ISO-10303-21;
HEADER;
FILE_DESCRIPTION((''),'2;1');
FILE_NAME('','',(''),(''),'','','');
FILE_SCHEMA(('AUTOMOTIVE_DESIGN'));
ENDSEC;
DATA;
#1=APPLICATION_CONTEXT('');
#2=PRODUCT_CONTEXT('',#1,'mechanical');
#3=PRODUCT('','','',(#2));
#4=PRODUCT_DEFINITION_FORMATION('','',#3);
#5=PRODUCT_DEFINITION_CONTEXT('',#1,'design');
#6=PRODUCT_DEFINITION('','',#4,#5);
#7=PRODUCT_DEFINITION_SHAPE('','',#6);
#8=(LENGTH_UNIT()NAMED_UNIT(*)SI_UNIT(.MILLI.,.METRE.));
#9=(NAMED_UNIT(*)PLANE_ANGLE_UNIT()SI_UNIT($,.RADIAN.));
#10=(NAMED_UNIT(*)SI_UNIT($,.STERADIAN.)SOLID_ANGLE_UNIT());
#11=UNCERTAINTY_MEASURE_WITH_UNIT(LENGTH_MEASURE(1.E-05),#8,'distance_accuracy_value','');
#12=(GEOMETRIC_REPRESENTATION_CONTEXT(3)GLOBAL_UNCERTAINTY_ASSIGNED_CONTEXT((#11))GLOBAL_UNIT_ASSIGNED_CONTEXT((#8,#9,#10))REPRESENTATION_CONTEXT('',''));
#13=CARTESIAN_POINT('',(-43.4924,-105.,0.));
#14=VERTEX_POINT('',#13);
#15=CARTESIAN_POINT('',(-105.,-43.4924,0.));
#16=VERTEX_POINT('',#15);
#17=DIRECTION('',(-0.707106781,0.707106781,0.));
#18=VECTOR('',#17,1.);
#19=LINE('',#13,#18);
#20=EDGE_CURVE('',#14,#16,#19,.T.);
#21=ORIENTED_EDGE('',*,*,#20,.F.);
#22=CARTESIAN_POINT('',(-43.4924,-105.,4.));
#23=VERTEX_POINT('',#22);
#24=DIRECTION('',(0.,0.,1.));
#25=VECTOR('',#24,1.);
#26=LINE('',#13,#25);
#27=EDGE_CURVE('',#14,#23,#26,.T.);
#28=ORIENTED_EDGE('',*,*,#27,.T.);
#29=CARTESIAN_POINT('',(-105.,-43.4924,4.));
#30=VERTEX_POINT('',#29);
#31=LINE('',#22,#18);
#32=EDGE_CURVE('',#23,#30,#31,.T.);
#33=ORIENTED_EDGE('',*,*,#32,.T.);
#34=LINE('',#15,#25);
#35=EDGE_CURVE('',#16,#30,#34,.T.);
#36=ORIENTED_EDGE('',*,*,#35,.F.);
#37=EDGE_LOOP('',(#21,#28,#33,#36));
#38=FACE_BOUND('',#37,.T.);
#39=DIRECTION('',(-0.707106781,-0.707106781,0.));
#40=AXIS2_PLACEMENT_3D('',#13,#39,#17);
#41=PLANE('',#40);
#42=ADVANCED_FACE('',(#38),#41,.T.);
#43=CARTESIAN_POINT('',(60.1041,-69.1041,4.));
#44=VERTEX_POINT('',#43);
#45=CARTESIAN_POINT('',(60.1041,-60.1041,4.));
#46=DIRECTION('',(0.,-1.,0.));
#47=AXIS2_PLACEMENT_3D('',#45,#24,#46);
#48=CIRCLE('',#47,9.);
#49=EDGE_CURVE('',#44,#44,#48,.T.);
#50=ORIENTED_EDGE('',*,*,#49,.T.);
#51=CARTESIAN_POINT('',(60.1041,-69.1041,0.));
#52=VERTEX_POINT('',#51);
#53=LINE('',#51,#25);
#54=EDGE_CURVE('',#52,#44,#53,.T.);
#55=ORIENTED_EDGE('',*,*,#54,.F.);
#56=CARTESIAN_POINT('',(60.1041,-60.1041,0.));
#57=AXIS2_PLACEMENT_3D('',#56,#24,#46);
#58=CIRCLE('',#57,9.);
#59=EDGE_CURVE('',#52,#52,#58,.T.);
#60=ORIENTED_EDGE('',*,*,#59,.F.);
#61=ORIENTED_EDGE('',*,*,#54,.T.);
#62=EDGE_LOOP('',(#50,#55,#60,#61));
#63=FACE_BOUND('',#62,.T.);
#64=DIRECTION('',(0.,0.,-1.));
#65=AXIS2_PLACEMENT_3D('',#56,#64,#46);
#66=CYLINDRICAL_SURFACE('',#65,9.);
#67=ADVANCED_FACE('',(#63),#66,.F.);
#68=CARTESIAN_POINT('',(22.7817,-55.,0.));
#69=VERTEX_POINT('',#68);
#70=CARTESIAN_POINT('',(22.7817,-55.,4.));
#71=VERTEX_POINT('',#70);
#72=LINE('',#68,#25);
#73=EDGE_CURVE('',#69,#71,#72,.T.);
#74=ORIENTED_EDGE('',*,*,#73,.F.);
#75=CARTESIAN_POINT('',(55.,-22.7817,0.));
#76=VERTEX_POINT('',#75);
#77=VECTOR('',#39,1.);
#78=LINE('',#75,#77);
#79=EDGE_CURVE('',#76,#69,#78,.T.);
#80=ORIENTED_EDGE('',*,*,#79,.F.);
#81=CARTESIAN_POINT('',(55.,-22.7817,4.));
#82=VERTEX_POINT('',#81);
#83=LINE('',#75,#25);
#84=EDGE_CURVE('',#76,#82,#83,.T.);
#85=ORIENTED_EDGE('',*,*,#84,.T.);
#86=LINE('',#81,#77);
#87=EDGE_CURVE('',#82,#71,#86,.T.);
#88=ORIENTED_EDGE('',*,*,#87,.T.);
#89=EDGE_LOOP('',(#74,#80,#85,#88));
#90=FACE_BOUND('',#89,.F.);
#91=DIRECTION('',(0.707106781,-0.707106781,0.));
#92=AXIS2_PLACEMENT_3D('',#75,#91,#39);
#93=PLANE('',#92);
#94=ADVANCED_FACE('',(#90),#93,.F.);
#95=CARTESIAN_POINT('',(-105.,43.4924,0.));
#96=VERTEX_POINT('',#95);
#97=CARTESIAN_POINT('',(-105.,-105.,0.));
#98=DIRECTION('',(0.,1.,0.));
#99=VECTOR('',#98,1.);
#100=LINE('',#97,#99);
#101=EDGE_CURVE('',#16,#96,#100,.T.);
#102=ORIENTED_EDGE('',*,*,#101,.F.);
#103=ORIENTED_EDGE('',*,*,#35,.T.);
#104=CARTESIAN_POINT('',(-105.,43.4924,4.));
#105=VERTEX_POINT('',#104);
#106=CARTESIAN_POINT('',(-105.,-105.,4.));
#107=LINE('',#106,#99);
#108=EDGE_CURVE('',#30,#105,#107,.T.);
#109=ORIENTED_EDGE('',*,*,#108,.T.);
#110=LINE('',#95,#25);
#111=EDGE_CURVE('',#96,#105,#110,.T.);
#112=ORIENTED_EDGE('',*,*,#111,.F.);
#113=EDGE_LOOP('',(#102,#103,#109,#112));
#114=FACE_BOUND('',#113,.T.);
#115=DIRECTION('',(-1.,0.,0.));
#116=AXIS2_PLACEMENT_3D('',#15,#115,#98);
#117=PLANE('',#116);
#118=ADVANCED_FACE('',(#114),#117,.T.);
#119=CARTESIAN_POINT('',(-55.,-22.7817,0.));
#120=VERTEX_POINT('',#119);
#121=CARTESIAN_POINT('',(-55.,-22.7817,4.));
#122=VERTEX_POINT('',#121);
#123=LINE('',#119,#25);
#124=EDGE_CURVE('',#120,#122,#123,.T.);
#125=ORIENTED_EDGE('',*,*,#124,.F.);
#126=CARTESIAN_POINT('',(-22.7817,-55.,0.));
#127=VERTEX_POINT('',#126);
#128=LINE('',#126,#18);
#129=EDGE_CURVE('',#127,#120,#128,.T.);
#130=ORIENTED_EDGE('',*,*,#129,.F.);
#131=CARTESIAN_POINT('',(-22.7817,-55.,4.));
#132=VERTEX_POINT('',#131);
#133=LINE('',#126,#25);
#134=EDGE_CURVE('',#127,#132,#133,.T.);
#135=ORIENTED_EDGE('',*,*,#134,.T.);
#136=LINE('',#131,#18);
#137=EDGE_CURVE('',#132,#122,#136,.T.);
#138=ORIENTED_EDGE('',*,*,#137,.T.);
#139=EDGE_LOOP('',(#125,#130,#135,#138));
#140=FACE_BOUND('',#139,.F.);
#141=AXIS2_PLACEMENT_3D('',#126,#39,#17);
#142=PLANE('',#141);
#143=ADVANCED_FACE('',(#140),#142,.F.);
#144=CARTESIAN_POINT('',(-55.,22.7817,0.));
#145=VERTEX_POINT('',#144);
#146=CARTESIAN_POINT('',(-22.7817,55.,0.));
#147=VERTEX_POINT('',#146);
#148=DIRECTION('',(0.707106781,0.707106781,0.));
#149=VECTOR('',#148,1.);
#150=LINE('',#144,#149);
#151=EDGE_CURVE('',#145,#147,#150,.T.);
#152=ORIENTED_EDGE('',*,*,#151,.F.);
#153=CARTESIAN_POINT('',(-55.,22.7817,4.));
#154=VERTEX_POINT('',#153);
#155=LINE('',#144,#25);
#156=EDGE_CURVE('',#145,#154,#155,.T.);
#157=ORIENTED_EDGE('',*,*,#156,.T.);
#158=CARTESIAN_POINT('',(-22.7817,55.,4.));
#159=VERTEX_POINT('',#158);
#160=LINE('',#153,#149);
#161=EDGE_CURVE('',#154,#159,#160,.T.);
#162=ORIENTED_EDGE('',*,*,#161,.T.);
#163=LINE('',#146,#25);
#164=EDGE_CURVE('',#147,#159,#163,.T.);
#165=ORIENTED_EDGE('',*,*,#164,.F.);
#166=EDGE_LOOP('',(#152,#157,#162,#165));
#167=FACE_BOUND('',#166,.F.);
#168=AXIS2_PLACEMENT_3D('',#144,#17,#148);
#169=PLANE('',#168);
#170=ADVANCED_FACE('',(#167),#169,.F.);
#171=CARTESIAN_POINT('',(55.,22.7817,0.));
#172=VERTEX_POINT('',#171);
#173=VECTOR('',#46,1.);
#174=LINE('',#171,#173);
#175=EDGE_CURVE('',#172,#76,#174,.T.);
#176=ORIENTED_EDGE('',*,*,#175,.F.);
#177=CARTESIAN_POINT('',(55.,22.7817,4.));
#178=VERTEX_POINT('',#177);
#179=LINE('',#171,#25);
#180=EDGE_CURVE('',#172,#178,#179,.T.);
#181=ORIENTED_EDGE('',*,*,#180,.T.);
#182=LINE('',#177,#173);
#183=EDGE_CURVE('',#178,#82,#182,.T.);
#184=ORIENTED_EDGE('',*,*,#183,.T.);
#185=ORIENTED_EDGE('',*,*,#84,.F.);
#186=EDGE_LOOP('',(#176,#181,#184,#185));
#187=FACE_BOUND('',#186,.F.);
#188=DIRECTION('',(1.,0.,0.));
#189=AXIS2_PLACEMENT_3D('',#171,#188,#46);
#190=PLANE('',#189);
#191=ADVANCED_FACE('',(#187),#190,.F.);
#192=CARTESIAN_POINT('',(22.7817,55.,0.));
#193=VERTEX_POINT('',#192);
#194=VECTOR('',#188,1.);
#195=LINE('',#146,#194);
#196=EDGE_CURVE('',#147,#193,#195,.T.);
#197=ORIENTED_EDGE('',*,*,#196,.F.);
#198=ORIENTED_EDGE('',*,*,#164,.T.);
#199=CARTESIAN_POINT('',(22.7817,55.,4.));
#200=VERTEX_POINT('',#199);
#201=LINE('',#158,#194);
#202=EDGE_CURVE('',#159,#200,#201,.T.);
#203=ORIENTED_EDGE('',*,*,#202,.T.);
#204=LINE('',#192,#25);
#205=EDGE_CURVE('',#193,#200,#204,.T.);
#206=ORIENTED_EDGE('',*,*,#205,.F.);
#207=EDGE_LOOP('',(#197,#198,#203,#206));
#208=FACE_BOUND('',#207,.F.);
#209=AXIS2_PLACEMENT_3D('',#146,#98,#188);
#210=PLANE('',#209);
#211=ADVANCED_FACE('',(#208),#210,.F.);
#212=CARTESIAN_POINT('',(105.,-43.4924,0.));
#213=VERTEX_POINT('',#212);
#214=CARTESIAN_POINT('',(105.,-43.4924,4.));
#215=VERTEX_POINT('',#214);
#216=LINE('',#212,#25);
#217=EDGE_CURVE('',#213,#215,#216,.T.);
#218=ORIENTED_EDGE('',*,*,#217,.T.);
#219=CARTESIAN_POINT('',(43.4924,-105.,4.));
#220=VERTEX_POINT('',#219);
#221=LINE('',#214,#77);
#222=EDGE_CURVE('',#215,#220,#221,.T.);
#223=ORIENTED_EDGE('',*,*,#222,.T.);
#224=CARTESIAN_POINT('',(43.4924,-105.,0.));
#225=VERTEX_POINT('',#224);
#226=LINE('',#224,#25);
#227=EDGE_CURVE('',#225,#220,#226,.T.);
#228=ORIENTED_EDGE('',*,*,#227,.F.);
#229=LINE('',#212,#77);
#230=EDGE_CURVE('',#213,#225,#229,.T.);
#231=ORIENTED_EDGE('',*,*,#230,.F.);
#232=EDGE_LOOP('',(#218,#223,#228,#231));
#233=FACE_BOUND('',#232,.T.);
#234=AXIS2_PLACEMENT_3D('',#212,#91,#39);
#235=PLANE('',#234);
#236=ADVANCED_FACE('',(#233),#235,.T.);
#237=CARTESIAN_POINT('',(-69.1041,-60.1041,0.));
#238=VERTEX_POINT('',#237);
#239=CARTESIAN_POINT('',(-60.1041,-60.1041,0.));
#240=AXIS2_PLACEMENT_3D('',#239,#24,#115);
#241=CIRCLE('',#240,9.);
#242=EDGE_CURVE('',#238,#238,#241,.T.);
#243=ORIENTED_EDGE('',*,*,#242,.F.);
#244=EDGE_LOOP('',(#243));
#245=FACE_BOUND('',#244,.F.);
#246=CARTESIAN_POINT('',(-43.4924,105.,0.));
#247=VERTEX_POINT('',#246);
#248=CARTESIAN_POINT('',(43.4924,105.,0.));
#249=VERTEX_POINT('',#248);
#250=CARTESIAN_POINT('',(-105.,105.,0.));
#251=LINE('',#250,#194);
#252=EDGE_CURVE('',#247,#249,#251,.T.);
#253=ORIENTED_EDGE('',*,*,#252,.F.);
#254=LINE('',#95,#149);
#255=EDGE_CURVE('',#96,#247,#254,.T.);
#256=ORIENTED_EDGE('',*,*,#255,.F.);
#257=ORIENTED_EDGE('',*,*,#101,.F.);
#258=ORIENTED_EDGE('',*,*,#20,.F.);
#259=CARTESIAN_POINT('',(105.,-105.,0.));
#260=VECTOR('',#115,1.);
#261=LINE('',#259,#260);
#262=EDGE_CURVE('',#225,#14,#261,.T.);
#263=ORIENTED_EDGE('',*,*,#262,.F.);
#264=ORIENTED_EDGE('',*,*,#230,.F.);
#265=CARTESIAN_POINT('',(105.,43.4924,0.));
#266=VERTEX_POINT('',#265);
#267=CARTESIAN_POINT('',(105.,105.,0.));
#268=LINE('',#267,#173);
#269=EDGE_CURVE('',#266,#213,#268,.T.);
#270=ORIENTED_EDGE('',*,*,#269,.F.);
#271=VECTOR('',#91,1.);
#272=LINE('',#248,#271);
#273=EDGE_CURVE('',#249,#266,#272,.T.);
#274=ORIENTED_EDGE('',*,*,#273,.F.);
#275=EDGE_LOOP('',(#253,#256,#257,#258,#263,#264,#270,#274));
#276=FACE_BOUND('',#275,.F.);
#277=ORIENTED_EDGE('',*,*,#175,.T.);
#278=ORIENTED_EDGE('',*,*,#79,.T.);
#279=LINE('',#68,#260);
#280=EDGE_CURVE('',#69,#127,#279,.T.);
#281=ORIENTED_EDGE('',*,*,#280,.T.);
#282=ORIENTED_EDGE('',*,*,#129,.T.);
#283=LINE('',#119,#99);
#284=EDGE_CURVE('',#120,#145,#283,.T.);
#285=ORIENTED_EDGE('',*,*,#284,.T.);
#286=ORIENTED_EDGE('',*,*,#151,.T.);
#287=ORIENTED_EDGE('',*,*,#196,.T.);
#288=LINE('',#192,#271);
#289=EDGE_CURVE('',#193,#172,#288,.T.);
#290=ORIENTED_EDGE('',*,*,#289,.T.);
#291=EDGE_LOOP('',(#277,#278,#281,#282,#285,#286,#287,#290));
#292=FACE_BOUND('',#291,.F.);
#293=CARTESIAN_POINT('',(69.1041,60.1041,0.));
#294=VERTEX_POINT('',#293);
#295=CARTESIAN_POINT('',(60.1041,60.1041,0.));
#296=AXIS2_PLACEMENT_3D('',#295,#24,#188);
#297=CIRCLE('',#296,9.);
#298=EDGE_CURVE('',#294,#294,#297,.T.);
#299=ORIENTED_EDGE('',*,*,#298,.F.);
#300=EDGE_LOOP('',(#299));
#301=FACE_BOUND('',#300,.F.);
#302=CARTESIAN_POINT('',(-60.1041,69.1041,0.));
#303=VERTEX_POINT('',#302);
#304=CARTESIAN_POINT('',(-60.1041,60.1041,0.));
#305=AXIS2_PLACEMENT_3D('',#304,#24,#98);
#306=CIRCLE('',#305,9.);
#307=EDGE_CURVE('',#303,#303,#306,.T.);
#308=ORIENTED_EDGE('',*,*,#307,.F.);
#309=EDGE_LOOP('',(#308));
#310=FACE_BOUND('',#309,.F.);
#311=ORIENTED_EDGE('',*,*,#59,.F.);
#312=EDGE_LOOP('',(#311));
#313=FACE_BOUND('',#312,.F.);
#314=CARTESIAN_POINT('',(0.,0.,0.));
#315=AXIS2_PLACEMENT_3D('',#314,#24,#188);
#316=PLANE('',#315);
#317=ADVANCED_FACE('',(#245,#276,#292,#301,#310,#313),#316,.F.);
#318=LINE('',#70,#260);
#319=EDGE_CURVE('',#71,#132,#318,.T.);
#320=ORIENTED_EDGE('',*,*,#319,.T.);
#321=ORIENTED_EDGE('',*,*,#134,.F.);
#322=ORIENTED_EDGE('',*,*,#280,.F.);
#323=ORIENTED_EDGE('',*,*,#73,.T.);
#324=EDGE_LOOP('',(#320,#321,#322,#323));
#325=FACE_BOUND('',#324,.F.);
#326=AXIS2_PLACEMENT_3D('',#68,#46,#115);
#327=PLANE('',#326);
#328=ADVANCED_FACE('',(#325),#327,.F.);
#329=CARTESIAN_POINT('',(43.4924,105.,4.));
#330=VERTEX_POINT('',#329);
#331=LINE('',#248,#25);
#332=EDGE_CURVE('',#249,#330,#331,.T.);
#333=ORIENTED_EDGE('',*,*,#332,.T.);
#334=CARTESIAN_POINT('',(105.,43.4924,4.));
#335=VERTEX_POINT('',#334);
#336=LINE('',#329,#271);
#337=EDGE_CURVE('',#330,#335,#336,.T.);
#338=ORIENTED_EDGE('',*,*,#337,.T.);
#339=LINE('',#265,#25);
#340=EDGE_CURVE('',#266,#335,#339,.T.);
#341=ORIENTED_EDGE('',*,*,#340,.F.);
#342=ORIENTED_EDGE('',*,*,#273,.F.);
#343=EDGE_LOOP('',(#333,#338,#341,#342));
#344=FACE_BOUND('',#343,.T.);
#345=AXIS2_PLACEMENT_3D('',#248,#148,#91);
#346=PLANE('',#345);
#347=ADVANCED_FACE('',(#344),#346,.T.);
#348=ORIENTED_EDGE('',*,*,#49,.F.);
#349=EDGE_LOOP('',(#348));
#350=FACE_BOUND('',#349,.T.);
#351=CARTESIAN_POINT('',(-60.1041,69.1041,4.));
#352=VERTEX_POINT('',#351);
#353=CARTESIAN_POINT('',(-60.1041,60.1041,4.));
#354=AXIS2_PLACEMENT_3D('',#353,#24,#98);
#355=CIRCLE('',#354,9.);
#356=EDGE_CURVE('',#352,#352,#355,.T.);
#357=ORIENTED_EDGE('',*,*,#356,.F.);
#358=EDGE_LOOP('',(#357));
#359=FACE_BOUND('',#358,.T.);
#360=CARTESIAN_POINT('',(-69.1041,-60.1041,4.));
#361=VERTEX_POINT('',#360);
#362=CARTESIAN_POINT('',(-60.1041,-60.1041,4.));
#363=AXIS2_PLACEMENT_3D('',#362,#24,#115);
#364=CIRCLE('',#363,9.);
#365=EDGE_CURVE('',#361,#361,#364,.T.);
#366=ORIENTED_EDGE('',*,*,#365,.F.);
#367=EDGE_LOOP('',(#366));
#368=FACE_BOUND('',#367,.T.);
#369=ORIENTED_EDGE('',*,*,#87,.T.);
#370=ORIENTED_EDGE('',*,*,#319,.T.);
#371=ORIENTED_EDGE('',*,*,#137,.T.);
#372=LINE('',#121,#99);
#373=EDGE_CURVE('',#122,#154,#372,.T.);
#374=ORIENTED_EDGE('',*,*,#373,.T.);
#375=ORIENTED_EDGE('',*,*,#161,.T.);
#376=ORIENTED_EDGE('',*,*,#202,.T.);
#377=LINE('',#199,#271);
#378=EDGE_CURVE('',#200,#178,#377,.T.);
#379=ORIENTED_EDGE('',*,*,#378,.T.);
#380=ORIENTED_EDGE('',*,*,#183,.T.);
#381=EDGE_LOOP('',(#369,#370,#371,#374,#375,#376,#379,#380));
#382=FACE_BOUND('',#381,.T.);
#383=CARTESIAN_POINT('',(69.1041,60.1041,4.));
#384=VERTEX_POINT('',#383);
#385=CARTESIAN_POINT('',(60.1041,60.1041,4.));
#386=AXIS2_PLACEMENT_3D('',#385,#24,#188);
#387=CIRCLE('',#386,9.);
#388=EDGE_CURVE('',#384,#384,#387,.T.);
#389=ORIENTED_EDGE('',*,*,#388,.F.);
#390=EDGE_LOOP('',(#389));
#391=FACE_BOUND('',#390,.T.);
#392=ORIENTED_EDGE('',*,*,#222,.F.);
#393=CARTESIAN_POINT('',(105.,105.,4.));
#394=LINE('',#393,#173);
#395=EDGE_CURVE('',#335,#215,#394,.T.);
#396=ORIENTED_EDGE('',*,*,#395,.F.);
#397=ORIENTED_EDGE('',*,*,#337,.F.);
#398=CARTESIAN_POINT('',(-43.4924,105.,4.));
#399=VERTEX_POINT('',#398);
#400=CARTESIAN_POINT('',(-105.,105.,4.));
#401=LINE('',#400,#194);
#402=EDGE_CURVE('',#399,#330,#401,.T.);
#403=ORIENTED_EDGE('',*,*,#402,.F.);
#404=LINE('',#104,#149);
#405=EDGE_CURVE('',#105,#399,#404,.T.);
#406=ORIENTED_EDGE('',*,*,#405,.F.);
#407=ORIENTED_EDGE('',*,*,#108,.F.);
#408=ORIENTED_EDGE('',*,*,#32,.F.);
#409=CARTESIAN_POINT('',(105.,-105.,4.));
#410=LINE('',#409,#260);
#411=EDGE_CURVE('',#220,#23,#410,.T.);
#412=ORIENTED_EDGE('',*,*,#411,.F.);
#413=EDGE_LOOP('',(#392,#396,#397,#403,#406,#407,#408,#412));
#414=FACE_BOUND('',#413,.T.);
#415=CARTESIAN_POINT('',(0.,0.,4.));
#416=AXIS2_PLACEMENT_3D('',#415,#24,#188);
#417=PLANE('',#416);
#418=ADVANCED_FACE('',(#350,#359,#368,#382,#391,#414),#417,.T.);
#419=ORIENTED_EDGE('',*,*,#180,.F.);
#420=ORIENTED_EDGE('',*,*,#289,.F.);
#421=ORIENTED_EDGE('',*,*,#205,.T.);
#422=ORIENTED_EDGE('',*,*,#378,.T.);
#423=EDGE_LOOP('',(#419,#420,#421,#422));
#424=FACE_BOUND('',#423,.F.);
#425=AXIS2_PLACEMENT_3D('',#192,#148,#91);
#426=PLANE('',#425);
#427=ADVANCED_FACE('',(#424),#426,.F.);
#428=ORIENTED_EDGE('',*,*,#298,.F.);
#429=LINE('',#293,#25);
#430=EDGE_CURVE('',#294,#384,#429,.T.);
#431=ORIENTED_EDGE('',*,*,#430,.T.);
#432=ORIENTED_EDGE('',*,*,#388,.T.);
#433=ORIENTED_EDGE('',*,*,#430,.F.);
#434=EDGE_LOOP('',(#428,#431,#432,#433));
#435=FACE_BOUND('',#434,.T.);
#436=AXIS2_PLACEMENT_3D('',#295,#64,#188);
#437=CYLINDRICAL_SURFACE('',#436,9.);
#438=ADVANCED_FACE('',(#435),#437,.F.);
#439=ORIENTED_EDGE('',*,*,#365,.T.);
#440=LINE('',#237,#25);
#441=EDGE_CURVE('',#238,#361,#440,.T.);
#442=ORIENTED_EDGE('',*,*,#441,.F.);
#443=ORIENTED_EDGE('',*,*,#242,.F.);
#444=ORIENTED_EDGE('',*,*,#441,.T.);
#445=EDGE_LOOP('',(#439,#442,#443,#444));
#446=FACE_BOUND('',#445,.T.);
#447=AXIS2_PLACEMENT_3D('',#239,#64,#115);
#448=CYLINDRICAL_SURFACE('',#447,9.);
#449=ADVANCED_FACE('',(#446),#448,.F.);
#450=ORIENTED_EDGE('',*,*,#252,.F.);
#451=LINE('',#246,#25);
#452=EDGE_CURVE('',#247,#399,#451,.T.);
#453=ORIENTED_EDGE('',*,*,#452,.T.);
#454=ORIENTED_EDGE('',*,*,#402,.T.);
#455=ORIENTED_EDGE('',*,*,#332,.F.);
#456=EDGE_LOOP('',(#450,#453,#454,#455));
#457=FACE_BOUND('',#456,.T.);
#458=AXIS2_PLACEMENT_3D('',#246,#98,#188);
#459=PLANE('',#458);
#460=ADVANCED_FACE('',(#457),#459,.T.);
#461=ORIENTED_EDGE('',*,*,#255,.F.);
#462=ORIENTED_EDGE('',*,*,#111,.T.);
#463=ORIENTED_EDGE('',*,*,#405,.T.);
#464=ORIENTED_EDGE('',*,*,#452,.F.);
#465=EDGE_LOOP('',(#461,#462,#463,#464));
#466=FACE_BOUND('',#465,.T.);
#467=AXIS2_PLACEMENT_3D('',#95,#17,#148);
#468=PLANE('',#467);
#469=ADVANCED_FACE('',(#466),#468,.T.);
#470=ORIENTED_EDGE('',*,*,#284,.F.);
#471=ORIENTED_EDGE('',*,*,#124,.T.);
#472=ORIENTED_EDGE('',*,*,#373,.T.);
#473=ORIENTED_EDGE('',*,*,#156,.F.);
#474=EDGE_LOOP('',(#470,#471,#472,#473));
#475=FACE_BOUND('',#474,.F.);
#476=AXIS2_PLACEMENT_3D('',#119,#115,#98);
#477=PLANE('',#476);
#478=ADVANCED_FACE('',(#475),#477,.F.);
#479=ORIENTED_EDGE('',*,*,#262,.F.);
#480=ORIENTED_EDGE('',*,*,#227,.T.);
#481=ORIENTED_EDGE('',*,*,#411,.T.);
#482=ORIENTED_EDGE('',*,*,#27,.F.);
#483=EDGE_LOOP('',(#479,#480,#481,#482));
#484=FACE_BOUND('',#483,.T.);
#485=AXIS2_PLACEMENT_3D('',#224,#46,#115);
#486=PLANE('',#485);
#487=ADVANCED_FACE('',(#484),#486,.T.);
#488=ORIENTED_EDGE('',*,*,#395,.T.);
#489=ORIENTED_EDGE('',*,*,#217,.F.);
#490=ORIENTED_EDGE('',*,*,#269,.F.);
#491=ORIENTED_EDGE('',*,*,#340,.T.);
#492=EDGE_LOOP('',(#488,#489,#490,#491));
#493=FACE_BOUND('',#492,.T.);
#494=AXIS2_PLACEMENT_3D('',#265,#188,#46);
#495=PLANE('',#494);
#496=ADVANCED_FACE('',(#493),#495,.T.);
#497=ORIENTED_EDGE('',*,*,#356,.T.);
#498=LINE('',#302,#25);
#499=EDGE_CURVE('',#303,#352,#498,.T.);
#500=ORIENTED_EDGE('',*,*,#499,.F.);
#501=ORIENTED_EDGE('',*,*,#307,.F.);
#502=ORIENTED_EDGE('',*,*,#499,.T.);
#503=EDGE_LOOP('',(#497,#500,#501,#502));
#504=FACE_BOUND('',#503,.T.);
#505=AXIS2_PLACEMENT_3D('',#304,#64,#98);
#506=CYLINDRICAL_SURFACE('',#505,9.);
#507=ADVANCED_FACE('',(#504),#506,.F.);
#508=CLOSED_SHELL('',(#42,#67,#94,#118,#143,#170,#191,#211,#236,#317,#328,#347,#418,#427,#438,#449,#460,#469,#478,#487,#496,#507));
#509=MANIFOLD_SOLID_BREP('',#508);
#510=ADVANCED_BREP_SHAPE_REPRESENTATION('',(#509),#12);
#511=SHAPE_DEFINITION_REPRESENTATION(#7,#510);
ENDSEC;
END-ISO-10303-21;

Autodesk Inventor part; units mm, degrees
ref_plane "YZ Plane" through (0, 0, 0) normal (1, 0, 0) x (0, 1, 0)
ref_plane "XZ Plane" through (0, 0, 0) normal (0, 1, 0) x (-1, 0, 0)
ref_plane "XY Plane" through (0, 0, 0) normal (0, 0, 1) x (1, 0, 0)
sketch "Sketch1" plane through (0, 0, 0) normal (0, 0, 1) x (1, 0, 0)
  circle A0 centre (0, 0) radius 55 construction
  circle A1 centre (0, 0) radius 105 construction
  line L0 (105, -105) -> (-105, -105)
  line L1 (-105, -105) -> (-105, 105)
  line L2 (-105, 105) -> (105, 105)
  line L3 (105, 105) -> (105, -105)
  line L4 (105, -105) -> (-105, 105) construction
  line L5 (-105, -105) -> (105, 105) construction
  line L6 (43.4924, 105) -> (105, 43.4924)
  line L7 (105, 43.4924) -> (105, -43.4924)
  line L8 (105, -43.4924) -> (43.4924, -105)
  line L9 (43.4924, -105) -> (-43.4924, -105)
  line L10 (-43.4924, -105) -> (-105, -43.4924)
  line L11 (-105, -43.4924) -> (-105, 43.4924)
  line L12 (-105, 43.4924) -> (-43.4924, 105)
  line L13 (-43.4924, 105) -> (43.4924, 105)
  line L14 (22.7817, 55) -> (55, 22.7817)
  line L15 (55, 22.7817) -> (55, -22.7817)
  line L16 (55, -22.7817) -> (22.7817, -55)
  line L17 (22.7817, -55) -> (-22.7817, -55)
  line L18 (-22.7817, -55) -> (-55, -22.7817)
  line L19 (-55, -22.7817) -> (-55, 22.7817)
  line L20 (-55, 22.7817) -> (-22.7817, 55)
  line L21 (-22.7817, 55) -> (22.7817, 55)
  point P0 (0, 105)
  point P1 (-105, 43.4924)
  point P2 (-43.4924, -105)
  point P3 (0, 55)
  dimension "d22" = 110
  dimension "d23" = 210
extrude "Plate1" add sketch "Sketch1" along normal blind 4 contours L0 L10 L1 L12 L2 L6 L3 L8
sketch "Sketch6" plane through (0, 0, 0) normal (0, 0, 1) x (1, 0, 0)
  line L0 (0, 0) -> (0, 85) construction
  circle A0 centre (0, 0) radius 85 construction
  line L1 (0, 0) -> (60.1041, 60.1041) construction
  circle A1 centre (60.1041, 60.1041) radius 9
  dimension "d32" = 18
  dimension "d33" = 170
  dimension "d34" = 45
extrude "Cut2" cut sketch "Sketch6" along normal blind 4
pattern_circular "Circular Pattern2" count 4 over 360 about axis through (0, 0, -10) along (0, 0, 1) of "Cut2"
equation "\"d23\" = Flange_D_outer"
equation "\"d32\" = Flange_d_hole_diam"
equation "\"d33\" = Flange_D1_hole_center"
equation "\"d35\" = Thickness"
equation "\"d2\" = Thickness"
equation "\"BendReliefWidth\" = Thickness"
equation "\"BendReliefDepth\" = 0.5 * Thickness"
equation "\"CornerReliefSize\" = 4 * Thickness"
equation "\"MinimumRemnant\" = 2 * Thickness"
equation "\"TransitionRadius\" = BendRadius"
equation "\"JacobiRadiusSize\" = BendRadius"
equation "\"GapSize\" = Thickness"
equation "\"Flange_D_outer\" = 210"
equation "\"Flange_d_hole_diam\" = 18"
equation "\"Flange_D1_hole_center\" = 170"
equation "\"Thickness\" = 4"
equation "\"BendRadius\" = 6"
properties part number "DSB 110 drain sustem flange" material "Stainless Steel"
